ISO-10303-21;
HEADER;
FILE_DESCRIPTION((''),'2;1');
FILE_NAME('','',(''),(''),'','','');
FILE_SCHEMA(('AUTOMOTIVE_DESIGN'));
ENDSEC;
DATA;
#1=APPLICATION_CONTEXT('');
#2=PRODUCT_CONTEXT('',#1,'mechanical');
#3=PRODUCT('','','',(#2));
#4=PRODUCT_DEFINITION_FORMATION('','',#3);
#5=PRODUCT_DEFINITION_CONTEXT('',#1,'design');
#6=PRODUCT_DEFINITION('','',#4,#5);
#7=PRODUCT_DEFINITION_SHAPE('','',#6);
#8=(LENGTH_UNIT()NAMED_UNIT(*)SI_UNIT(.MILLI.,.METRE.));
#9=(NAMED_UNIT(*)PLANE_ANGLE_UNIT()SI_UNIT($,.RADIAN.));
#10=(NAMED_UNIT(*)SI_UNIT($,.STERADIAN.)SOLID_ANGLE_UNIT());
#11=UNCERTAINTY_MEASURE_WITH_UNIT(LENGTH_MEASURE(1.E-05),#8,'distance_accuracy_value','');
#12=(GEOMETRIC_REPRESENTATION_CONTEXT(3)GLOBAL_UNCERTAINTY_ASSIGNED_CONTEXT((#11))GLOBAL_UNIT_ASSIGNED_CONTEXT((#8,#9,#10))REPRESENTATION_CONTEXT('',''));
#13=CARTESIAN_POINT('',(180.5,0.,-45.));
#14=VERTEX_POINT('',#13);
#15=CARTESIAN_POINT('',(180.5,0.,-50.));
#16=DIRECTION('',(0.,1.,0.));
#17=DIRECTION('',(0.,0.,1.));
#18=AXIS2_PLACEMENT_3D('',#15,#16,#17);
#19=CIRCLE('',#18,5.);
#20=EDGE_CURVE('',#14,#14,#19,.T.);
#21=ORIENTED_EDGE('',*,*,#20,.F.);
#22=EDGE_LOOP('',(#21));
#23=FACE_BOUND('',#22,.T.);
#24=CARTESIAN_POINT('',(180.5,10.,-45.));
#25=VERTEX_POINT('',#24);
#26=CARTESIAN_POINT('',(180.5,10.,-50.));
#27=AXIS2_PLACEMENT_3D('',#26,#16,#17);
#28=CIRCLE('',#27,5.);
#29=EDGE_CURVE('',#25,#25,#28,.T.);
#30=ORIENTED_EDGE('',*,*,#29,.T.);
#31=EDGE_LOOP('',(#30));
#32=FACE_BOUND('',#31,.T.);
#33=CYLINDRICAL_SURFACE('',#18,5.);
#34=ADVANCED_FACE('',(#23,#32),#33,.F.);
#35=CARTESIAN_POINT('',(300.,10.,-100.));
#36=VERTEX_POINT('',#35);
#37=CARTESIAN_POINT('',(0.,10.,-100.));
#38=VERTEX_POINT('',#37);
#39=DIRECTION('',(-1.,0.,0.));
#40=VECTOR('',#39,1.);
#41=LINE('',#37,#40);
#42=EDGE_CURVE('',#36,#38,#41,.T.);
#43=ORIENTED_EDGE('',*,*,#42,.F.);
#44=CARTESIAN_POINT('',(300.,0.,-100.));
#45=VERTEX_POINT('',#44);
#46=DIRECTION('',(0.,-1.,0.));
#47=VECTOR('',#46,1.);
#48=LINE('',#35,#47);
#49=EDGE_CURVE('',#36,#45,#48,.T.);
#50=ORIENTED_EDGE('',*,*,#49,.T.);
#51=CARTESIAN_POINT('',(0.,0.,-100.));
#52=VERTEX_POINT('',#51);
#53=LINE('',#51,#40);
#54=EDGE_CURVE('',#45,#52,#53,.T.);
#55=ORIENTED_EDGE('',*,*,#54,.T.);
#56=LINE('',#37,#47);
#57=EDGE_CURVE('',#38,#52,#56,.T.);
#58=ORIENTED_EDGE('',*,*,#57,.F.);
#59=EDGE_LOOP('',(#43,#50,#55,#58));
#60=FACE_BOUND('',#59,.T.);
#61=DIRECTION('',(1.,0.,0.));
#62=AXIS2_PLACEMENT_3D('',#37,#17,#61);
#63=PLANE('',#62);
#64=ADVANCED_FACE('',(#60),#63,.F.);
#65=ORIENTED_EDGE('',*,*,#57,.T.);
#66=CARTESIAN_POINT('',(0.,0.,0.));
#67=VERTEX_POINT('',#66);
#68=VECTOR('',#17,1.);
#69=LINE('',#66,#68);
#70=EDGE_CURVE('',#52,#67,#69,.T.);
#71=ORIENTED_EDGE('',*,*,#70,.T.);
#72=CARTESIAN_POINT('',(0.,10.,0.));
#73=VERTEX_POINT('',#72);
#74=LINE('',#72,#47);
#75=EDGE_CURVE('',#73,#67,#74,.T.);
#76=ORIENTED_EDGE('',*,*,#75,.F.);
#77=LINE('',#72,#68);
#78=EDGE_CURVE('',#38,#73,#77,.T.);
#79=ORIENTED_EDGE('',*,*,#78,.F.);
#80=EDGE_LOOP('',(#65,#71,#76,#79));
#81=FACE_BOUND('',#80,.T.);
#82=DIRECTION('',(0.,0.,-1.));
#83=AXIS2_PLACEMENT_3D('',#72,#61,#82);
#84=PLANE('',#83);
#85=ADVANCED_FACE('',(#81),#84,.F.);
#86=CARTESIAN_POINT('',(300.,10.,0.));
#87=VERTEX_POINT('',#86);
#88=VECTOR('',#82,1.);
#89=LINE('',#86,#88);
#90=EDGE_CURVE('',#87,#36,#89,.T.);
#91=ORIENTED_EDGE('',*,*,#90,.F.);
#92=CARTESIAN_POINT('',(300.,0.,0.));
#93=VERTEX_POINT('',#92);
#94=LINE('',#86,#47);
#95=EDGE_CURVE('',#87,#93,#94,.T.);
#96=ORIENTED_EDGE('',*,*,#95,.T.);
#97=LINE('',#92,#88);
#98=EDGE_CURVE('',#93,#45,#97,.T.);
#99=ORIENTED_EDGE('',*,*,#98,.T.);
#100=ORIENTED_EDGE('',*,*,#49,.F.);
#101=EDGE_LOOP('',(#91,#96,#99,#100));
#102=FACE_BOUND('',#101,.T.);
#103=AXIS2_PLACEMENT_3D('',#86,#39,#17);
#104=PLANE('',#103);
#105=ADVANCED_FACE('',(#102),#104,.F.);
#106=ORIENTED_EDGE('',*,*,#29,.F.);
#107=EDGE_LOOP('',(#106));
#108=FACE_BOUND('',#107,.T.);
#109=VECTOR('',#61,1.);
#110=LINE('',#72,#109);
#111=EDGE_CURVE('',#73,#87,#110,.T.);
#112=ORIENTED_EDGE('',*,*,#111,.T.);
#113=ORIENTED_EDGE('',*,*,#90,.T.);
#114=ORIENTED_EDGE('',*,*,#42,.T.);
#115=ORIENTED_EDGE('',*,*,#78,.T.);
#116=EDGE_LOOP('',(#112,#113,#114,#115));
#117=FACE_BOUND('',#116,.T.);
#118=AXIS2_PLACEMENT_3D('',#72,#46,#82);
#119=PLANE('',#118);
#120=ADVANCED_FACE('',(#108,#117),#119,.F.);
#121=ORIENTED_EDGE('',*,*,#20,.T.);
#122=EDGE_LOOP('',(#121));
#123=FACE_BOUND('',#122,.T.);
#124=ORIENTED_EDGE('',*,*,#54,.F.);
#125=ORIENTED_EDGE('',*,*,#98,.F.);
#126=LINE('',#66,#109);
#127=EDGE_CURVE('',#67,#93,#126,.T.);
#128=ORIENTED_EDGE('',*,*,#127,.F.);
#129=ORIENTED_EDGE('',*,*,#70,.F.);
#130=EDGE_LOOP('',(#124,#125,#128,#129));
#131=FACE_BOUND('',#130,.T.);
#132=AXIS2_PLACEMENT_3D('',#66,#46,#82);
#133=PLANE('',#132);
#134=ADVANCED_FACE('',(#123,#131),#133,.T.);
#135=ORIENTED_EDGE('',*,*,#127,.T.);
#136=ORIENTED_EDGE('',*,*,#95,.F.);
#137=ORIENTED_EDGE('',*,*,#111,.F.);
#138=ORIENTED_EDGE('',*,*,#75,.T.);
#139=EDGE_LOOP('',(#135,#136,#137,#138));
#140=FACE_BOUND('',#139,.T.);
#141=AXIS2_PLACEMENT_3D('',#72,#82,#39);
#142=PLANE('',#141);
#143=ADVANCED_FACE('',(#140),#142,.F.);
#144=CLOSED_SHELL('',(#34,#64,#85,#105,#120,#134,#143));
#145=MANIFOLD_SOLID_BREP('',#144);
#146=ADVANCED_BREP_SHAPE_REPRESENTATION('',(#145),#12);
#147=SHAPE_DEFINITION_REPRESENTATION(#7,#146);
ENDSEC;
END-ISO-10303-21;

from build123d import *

# Parameters (mm, degrees)
CROQUIS1_W              = 300
CROQUIS1_H              = 100
SALIENTE_EXTRUIR1_DEPTH = 10
CROQUIS2_R              = 5
CORTAR_EXTRUIR1_DEPTH   = 10


with BuildPart() as part:
    # Croquis1 → Saliente-Extruir1 (new body)
    with BuildSketch(Plane(origin=(0, 0, 0), x_dir=(1, 0, 0), z_dir=(0, 1, 0))):
        with Locations((150, 50)):
            Rectangle(CROQUIS1_W, CROQUIS1_H)
    extrude(amount=SALIENTE_EXTRUIR1_DEPTH)

    # Croquis2 → Cortar-Extruir1 (cut)
    with BuildSketch(Plane(origin=(0, 10, 0), x_dir=(1, 0, 0), z_dir=(0, 1, 0))):
        with Locations(Location((180.5, 50, 0), (0, 0, 270))):
            Circle(CROQUIS2_R)
    extrude(amount=-CORTAR_EXTRUIR1_DEPTH, mode=Mode.SUBTRACT)


solid = part.part
